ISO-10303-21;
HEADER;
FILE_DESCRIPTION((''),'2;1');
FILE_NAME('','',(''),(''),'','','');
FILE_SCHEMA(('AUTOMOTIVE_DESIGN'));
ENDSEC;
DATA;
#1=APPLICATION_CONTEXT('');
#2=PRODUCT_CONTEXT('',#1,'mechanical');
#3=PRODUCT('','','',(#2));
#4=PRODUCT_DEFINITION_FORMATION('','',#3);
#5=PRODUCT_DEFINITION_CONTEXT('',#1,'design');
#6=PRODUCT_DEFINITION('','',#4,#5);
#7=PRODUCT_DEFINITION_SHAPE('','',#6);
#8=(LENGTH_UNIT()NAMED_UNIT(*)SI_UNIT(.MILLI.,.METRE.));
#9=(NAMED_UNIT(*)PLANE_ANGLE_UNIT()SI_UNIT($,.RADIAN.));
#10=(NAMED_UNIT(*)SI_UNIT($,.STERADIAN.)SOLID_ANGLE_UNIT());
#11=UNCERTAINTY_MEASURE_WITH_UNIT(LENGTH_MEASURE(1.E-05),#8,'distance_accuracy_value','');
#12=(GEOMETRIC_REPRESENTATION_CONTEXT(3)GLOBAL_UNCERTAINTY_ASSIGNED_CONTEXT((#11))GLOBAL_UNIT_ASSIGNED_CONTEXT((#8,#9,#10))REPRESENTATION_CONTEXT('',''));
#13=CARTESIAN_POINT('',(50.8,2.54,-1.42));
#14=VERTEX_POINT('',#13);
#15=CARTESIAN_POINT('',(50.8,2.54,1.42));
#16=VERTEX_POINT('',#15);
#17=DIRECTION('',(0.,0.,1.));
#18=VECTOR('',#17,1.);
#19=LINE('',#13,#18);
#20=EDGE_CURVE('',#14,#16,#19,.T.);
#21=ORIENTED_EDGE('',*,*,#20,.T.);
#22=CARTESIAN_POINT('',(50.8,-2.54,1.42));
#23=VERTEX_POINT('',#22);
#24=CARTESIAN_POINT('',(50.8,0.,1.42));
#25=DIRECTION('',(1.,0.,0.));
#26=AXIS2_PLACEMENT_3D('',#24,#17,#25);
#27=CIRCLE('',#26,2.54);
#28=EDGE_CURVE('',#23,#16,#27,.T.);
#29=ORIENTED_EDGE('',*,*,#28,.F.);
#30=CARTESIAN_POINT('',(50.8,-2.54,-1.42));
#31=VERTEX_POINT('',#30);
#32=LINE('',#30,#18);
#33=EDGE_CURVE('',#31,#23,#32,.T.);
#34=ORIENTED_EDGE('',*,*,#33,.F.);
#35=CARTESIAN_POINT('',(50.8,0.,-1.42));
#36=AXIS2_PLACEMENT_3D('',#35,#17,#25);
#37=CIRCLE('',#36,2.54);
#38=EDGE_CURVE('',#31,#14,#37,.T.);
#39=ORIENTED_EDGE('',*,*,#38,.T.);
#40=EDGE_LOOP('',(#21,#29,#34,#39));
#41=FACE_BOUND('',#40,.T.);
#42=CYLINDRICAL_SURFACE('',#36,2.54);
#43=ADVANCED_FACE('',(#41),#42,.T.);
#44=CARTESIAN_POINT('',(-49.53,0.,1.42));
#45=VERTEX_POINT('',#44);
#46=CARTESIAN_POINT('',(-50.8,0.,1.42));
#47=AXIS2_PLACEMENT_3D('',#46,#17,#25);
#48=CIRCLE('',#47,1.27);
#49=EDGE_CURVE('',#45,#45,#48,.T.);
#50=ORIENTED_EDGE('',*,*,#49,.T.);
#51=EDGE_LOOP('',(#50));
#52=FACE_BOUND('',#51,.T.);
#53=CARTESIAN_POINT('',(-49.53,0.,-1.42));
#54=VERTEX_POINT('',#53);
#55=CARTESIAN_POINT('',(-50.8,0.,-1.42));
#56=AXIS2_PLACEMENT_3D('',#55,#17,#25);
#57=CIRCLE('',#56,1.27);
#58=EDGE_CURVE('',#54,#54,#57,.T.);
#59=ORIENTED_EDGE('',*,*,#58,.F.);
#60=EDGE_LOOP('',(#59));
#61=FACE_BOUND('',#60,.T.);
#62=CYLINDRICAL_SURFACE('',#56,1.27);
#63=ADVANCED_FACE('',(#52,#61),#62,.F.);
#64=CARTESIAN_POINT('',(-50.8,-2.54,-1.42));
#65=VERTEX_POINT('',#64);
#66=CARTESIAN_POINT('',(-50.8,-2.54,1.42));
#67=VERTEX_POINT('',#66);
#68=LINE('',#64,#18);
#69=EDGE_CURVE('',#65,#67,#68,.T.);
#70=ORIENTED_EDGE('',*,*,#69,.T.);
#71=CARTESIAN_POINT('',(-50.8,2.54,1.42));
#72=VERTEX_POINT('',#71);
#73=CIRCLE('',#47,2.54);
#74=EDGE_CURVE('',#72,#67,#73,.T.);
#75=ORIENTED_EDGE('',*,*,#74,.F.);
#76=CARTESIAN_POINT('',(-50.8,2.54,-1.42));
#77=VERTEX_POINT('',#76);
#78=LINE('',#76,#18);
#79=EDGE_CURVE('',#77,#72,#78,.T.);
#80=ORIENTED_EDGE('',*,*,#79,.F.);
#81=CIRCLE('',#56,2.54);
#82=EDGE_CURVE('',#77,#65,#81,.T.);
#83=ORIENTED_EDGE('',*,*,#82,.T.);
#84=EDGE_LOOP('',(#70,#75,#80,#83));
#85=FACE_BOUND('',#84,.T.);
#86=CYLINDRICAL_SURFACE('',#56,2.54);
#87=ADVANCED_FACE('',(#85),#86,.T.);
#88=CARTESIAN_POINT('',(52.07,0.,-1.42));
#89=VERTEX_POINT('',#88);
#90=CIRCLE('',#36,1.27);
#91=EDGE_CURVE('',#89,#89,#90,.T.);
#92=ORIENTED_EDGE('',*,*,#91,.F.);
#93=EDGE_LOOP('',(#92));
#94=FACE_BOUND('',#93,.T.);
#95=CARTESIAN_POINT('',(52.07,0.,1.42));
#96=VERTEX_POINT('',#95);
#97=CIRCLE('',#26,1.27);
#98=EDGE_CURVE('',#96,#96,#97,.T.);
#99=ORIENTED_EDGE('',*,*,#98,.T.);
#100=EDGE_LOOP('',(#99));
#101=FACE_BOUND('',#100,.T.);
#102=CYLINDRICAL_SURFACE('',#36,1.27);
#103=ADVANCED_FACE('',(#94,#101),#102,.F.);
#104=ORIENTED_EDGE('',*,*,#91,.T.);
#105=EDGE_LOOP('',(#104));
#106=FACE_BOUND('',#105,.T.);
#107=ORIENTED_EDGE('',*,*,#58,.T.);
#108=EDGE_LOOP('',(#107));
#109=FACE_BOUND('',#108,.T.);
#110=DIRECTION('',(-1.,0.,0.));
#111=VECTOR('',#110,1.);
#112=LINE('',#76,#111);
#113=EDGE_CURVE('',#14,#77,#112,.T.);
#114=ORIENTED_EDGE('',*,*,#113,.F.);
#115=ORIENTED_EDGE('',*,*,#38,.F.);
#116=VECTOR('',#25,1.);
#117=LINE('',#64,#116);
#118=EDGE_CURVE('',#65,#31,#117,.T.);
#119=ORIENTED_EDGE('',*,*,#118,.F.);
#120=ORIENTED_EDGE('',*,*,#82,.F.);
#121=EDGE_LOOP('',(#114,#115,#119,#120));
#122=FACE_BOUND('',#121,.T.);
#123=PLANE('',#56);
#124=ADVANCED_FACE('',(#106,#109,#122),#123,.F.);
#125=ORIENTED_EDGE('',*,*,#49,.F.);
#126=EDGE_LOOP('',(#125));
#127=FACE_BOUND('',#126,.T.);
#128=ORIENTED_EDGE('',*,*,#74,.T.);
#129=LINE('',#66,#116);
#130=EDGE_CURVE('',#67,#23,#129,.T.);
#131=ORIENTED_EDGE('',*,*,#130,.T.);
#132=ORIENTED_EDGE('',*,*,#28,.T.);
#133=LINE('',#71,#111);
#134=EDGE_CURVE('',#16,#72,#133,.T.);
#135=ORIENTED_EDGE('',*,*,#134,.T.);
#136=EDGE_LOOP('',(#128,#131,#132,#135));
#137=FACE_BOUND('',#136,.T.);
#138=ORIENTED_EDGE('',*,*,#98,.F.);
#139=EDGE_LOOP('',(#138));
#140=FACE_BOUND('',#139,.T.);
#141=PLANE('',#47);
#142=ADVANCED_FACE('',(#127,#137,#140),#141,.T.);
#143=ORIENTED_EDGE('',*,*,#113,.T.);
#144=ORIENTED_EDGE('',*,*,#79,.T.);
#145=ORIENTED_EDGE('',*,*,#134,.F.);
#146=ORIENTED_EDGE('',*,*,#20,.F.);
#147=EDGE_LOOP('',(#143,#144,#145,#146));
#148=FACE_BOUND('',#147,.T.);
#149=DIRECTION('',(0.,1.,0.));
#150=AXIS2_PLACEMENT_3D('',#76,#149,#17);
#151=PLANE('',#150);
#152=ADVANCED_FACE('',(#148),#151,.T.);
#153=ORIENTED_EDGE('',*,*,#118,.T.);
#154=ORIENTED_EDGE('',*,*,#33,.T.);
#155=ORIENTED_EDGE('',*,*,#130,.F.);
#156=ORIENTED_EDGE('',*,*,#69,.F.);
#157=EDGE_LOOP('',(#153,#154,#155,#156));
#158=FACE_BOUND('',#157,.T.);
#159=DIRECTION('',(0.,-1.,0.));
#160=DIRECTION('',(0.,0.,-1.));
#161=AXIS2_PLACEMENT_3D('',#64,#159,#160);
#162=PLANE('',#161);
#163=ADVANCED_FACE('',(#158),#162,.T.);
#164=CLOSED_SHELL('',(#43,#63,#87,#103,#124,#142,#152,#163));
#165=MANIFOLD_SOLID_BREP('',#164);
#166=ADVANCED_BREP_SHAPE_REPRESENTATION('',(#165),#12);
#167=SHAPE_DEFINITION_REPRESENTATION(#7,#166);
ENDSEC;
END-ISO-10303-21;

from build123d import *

# Parameters (mm, degrees)
BOSS_EXTRUDE1_DEPTH      = 1.42
BOSS_EXTRUDE1_DEPTH_BACK = 1.42
SKETCH1_R                = 1.27


with BuildPart() as part:
    # Sketch1 → Boss-Extrude1 (new, two sides: drawn at the far end of the back side and taken through both)
    with BuildSketch(Plane.XY.offset(-BOSS_EXTRUDE1_DEPTH_BACK)):
        with BuildLine():
            Line((-50.8, 2.54), (50.8, 2.54))
            ThreePointArc((50.8, 2.54), (53.34, 0), (50.8, -2.54))
            Line((50.8, -2.54), (-50.8, -2.54))
            ThreePointArc((-50.8, -2.54), (-53.34, 0), (-50.8, 2.54))
        make_face()
        with Locations((-50.8, 0)):
            Circle(SKETCH1_R, mode=Mode.SUBTRACT)
        with Locations((50.8, 0)):
            Circle(SKETCH1_R, mode=Mode.SUBTRACT)
    extrude(amount=BOSS_EXTRUDE1_DEPTH + BOSS_EXTRUDE1_DEPTH_BACK)


solid = part.part
